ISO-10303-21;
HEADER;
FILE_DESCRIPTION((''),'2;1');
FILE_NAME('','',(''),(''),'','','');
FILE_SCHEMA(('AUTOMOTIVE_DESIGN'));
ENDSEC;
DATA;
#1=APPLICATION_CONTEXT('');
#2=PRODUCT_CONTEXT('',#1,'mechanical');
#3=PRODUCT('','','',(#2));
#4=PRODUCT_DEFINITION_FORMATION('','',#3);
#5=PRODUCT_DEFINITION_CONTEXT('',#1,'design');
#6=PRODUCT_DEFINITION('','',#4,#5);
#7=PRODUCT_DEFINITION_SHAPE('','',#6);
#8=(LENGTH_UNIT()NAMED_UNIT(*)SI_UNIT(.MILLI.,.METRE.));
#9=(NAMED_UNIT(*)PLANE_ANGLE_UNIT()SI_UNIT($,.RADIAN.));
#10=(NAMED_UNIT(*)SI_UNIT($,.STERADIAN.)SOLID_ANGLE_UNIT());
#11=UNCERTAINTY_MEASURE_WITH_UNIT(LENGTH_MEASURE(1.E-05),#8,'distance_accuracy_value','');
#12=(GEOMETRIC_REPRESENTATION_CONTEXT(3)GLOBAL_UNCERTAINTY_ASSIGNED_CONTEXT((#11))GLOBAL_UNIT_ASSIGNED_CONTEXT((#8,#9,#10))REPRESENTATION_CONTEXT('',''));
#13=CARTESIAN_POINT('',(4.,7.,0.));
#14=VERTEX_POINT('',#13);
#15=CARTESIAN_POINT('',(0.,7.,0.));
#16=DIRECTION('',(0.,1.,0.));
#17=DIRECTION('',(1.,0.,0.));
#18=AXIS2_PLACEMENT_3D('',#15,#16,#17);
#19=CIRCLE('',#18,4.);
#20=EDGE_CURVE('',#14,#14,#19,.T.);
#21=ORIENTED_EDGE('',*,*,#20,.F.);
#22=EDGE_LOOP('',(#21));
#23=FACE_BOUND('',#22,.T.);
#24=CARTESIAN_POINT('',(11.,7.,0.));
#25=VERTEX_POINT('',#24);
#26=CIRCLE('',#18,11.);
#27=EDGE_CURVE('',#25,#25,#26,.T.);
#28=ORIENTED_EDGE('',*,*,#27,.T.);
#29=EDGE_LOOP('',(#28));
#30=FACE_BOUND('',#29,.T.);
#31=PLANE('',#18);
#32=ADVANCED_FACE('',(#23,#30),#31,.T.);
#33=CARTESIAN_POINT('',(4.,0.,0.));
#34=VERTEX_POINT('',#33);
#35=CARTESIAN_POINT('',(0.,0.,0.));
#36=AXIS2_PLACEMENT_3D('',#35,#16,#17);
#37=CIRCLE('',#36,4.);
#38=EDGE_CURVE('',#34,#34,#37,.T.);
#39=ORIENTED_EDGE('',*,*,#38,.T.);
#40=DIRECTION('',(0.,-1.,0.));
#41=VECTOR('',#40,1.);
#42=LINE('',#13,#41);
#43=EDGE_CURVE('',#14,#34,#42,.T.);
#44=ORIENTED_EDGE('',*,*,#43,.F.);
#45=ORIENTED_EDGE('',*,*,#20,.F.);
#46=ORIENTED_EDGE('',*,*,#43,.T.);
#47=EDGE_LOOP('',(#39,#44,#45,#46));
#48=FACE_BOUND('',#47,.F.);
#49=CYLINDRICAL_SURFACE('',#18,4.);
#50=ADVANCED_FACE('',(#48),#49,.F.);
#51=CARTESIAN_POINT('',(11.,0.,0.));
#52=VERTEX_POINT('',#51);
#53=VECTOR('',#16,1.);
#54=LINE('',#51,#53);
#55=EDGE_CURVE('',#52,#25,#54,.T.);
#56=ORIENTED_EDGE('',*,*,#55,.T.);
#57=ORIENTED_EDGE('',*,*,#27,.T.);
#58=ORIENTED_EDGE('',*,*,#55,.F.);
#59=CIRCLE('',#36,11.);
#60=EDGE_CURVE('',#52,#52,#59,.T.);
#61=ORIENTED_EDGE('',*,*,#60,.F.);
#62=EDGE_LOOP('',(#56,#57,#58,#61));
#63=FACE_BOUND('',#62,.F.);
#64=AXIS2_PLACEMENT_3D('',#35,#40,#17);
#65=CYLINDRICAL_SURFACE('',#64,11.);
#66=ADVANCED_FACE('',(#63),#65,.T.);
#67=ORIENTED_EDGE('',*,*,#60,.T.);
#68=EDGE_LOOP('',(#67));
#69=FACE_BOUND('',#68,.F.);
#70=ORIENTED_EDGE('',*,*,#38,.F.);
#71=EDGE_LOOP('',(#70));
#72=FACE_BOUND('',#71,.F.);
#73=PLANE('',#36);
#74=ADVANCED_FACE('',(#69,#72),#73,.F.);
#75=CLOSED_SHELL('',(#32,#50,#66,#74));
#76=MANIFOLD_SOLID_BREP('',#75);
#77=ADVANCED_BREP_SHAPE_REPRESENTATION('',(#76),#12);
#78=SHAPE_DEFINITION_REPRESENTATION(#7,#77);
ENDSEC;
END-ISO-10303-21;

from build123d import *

# Parameters (mm, degrees)
SKETCH5_R           = 11
BOSS_EXTRUDE2_DEPTH = 7
SKETCH6_R           = 4
CUT_EXTRUDE3_DEPTH  = 8


with BuildPart() as part:
    # Sketch5 → Boss-Extrude2 (new body)
    with BuildSketch(Plane(origin=(0, 0, 0), x_dir=(1, 0, 0), z_dir=(0, 1, 0))):
        Circle(SKETCH5_R)
    extrude(amount=BOSS_EXTRUDE2_DEPTH)

    # Sketch6 → Cut-Extrude3 (cut)
    with BuildSketch(Plane(origin=(0, 7, 0), x_dir=(1, 0, 0), z_dir=(0, 1, 0))):
        Circle(SKETCH6_R)
    extrude(amount=-CUT_EXTRUDE3_DEPTH, mode=Mode.SUBTRACT)


solid = part.part
